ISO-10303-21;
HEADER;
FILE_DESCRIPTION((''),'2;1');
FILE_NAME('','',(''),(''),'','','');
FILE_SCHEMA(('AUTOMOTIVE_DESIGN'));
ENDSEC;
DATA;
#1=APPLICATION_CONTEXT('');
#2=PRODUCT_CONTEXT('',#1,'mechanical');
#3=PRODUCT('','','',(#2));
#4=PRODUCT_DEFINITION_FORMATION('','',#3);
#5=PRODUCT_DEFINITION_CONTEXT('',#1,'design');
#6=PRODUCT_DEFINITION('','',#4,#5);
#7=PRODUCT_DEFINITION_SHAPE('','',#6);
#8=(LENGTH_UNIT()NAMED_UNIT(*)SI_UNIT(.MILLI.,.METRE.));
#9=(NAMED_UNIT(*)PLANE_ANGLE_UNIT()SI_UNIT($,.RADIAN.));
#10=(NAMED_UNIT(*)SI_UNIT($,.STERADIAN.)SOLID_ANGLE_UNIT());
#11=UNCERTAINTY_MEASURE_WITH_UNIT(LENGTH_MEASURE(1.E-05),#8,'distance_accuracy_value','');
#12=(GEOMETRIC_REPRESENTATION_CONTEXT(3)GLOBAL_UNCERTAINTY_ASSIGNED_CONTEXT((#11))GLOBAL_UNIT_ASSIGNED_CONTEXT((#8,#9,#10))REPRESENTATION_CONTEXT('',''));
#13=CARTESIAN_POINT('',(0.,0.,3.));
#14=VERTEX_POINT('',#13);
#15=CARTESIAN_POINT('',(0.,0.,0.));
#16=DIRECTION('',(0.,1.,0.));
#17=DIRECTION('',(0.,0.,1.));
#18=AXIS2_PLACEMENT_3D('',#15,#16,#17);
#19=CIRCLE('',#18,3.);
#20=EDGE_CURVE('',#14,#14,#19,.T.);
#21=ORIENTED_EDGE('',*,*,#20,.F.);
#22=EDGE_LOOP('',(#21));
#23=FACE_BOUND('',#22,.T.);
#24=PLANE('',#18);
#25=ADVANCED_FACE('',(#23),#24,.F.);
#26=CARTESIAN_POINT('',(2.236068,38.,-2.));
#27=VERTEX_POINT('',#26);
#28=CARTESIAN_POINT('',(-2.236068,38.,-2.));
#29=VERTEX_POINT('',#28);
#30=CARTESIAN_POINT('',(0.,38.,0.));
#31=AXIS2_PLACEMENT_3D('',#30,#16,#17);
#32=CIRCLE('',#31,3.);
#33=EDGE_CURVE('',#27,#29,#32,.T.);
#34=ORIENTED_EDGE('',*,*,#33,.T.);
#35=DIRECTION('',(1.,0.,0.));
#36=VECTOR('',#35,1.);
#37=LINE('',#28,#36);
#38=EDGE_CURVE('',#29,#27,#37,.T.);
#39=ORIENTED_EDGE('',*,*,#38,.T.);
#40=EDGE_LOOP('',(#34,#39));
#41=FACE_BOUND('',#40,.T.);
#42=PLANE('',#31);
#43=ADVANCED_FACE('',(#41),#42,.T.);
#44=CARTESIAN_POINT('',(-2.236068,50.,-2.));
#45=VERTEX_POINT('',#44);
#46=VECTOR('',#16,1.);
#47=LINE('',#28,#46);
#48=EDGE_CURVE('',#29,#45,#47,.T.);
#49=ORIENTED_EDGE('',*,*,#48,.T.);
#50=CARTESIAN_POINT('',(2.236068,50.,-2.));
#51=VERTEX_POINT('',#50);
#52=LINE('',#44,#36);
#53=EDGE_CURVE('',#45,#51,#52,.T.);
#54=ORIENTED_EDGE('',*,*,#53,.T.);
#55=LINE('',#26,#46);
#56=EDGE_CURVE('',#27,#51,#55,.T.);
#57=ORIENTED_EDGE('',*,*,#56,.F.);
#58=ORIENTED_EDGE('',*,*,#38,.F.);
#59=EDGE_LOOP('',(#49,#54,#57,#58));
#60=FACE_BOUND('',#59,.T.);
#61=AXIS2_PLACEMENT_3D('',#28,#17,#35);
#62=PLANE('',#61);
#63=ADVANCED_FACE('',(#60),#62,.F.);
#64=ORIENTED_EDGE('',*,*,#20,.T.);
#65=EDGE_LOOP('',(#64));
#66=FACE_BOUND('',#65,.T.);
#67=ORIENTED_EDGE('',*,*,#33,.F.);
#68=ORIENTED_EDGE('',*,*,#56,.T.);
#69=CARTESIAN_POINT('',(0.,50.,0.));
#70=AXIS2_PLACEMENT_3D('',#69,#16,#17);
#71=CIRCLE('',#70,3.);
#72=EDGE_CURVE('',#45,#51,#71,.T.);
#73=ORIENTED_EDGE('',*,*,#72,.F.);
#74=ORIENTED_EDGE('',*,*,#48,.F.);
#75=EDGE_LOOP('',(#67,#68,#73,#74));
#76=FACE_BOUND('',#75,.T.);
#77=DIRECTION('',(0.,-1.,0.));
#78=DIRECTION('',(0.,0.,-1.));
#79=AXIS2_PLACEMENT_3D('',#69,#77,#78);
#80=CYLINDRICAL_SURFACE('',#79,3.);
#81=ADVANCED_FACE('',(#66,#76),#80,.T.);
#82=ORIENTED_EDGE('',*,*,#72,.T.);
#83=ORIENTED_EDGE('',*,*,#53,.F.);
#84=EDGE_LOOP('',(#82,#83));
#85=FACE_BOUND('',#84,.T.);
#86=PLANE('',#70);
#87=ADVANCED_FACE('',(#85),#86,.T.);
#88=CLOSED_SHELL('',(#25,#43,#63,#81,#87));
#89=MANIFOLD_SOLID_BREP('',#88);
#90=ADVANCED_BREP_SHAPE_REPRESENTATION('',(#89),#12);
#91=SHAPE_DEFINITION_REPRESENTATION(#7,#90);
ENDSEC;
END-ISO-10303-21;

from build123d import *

# Parameters (mm, degrees)
SKETCH1_R           = 3
BOSS_EXTRUDE1_DEPTH = 50
CUT_EXTRUDE1_DEPTH  = 12


with BuildPart() as part:
    # Sketch1 → Boss-Extrude1 (new body)
    with BuildSketch(Plane(origin=(0, 0, 0), x_dir=(1, 0, 0), z_dir=(0, 1, 0))):
        Circle(SKETCH1_R)
    extrude(amount=BOSS_EXTRUDE1_DEPTH)

    # Sketch2 → Cut-Extrude1 (cut)
    with BuildSketch(Plane(origin=(0, 50, 0), x_dir=(1, 0, 0), z_dir=(0, 1, 0))):
        with BuildLine():
            Line((-2.236067977, 2), (2.236067977, 2))
            ThreePointArc((2.236067977, 2), (0, 3), (-2.236067977, 2))
        make_face()
    extrude(amount=-CUT_EXTRUDE1_DEPTH, mode=Mode.SUBTRACT)


solid = part.part
